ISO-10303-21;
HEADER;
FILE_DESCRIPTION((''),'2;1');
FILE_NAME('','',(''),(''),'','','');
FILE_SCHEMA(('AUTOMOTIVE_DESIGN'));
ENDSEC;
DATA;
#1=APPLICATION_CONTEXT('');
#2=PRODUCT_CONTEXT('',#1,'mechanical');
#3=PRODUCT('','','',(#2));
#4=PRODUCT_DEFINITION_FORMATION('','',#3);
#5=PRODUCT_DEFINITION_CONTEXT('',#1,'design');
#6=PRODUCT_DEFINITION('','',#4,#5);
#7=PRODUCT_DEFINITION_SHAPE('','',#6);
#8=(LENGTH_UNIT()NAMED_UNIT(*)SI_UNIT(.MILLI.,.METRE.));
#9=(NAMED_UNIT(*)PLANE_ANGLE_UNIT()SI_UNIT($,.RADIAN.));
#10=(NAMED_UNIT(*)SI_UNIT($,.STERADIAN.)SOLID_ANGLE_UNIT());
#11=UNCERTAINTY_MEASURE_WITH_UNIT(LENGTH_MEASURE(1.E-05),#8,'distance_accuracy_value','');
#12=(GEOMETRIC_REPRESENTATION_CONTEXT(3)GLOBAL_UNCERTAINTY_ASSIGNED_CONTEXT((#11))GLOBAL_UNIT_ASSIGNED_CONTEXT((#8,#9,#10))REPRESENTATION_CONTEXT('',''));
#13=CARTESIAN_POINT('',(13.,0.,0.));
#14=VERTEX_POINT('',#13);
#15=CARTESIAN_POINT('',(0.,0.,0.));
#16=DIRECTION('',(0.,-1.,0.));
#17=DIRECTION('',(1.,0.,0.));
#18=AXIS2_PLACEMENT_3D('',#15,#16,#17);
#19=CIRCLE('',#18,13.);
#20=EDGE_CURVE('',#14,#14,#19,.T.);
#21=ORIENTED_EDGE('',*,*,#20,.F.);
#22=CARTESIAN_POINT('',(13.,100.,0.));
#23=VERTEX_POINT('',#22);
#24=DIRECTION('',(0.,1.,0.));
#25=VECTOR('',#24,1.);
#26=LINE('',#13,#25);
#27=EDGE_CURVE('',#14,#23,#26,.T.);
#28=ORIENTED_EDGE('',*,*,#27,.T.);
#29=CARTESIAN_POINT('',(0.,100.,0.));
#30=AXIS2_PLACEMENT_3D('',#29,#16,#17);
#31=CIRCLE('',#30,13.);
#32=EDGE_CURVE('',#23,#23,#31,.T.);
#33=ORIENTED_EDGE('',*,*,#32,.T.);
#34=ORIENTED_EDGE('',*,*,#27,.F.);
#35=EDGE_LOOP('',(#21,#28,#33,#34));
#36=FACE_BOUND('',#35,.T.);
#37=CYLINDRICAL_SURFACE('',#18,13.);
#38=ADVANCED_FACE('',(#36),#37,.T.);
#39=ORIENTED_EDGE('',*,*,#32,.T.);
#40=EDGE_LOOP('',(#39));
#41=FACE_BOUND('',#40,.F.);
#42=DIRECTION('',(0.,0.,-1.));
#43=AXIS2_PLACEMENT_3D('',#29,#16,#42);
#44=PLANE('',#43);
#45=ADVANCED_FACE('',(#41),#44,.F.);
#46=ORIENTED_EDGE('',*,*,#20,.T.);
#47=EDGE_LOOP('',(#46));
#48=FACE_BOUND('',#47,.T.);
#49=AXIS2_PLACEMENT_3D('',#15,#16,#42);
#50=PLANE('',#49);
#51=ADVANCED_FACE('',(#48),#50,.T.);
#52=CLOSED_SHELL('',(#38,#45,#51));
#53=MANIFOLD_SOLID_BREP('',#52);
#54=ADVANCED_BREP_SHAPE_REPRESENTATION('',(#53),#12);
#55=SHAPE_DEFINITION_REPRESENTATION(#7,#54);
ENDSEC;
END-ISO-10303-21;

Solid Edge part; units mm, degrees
sketch "Sketch1" plane through (0, 0, 0) normal (0, -1, 0) x (1, 0, 0)
  circle A0 centre (0, 0) radius 13
extrude "Protrusion1" add sketch "Sketch1" against normal blind 100
